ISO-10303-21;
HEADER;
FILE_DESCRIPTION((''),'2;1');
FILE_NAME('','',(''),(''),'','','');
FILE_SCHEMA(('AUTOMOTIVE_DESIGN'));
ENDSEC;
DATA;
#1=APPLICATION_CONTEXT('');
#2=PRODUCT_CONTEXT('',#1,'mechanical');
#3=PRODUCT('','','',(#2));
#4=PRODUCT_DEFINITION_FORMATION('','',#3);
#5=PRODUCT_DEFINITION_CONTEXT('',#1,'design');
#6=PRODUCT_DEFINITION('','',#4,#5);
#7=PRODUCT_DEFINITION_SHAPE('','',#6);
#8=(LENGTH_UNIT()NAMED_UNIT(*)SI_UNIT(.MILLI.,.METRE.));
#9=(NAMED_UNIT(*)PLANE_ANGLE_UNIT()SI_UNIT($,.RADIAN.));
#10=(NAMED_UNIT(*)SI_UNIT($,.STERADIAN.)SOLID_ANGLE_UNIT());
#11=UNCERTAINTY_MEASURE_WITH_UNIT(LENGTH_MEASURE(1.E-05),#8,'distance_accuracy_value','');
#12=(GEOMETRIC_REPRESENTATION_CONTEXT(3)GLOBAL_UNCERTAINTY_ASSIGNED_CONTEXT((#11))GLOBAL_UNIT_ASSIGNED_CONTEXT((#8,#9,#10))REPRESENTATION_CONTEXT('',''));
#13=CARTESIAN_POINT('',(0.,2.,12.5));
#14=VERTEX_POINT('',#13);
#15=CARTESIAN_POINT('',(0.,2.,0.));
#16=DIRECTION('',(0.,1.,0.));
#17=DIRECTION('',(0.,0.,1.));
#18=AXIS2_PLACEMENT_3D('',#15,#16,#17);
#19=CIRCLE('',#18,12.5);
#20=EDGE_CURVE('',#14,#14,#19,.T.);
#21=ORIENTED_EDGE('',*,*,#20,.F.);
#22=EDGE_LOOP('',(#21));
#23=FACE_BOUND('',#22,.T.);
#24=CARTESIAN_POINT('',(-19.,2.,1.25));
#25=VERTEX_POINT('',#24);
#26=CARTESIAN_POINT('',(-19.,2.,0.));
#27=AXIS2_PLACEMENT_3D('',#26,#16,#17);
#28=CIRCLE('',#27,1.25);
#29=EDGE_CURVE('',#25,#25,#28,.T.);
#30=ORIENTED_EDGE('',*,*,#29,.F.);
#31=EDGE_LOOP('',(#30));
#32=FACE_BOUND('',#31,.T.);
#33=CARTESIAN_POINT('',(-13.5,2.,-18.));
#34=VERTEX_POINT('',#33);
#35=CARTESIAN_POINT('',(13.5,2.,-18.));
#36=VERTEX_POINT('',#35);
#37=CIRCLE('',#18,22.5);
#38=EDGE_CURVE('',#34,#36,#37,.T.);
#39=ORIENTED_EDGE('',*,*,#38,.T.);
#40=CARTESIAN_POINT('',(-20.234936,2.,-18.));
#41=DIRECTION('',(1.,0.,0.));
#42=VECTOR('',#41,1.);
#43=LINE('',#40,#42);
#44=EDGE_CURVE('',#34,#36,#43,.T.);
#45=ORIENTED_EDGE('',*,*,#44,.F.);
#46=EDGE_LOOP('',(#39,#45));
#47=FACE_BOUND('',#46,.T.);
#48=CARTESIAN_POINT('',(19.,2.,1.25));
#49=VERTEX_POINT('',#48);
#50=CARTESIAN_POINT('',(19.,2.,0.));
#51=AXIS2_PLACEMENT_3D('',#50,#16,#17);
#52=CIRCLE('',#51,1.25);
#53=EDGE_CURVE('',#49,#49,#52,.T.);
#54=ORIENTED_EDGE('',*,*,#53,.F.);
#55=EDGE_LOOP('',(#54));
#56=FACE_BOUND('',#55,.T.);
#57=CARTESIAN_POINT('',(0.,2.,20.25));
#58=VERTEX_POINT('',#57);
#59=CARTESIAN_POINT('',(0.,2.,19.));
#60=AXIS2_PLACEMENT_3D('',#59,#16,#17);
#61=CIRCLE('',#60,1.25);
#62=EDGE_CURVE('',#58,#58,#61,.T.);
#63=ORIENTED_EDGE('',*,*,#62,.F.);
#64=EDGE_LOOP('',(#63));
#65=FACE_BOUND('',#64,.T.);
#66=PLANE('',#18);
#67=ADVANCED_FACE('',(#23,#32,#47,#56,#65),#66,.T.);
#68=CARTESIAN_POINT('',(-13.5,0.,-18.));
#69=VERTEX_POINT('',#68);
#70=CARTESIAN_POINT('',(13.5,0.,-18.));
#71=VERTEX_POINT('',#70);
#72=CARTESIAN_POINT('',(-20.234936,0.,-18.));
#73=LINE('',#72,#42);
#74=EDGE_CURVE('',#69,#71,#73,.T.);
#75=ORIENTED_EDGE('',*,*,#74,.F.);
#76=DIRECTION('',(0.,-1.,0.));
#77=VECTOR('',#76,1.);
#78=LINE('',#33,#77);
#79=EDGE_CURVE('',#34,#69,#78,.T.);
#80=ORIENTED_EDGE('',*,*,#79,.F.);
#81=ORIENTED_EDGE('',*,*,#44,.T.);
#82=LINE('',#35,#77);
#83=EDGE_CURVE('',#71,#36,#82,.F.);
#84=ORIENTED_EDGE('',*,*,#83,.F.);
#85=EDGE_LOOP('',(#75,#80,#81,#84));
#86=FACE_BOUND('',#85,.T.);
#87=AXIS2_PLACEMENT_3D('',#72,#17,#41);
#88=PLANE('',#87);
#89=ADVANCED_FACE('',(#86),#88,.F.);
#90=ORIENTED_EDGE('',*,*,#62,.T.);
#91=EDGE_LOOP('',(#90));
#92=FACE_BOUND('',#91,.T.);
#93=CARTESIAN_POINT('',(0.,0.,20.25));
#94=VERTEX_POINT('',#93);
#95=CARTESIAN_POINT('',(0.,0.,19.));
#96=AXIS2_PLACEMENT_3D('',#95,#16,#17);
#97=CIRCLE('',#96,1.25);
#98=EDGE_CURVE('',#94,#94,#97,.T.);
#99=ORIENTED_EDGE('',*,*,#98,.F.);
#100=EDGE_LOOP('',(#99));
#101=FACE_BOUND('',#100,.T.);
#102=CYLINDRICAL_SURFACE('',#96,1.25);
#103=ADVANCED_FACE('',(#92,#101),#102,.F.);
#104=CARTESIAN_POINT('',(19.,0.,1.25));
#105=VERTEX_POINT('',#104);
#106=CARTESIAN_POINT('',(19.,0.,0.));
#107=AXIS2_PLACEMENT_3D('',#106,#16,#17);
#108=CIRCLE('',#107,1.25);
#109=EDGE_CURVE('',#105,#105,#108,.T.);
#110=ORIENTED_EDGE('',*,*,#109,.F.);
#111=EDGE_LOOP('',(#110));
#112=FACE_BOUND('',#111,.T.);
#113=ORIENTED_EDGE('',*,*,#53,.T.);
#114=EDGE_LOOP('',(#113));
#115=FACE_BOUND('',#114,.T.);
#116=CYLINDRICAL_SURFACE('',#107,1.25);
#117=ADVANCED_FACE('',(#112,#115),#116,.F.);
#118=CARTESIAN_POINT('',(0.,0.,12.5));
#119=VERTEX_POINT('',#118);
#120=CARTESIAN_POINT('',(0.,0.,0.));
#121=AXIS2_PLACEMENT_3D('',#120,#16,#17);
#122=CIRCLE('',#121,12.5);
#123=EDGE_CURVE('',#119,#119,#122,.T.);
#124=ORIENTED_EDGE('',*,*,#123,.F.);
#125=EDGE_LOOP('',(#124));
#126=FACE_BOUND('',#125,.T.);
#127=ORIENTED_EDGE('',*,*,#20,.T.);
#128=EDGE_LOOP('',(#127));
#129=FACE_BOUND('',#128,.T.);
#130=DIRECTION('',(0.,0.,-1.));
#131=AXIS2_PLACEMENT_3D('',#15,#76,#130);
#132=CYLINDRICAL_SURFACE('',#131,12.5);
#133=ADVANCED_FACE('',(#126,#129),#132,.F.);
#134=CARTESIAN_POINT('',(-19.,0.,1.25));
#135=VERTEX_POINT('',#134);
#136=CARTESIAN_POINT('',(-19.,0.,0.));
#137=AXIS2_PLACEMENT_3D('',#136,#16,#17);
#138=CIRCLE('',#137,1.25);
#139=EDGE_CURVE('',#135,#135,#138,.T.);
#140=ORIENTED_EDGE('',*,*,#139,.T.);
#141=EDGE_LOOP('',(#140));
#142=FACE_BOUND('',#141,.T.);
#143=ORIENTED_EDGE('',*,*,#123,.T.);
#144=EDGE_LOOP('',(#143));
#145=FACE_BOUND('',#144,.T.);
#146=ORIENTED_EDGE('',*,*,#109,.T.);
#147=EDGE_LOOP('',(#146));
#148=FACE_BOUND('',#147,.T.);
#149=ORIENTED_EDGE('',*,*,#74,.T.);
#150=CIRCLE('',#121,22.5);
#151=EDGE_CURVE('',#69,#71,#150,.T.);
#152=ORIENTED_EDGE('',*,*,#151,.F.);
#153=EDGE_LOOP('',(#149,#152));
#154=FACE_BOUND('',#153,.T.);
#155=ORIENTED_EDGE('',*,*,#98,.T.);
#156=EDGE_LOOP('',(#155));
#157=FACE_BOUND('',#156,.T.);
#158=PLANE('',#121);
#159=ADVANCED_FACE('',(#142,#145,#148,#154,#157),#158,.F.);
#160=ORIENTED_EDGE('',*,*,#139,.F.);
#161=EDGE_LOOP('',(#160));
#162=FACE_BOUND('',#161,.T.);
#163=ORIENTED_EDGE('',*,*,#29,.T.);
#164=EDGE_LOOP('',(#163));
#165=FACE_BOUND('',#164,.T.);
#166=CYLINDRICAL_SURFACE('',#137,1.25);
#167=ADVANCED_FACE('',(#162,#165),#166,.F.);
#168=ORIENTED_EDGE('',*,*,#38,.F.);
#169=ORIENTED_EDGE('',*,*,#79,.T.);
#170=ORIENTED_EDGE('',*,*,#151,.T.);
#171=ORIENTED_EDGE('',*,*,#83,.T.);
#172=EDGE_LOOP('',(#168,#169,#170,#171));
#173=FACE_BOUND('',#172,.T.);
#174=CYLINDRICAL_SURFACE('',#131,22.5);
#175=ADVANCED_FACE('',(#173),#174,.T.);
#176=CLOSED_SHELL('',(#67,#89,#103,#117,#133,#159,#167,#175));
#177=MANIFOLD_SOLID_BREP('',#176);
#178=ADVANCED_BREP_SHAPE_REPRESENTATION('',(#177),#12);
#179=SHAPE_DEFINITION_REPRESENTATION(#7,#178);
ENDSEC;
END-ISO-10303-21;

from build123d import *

# Parameters (mm, degrees)
SKETCH_1_R          = 22.5
SKETCH_1_R_2        = 12.5
EXTRUDE_1_DEPTH     = 2
SKETCH_2_R          = 1.25
CUT_EXTRUDE_1_DEPTH = 2


with BuildPart() as part:
    # Эскиз1 → Бобышка-Вытянуть1 (new body)
    with BuildSketch(Plane(origin=(0, 0, 0), x_dir=(1, 0, 0), z_dir=(0, 1, 0))):
        with Locations(Location((0, 0, 0), (0, 0, 270))):
            Circle(SKETCH_1_R)
        with Locations(Location((0, 0, 0), (0, 0, 270))):
            Circle(SKETCH_1_R_2, mode=Mode.SUBTRACT)
    extrude(amount=EXTRUDE_1_DEPTH)

    # Эскиз2 → Вырез-Вытянуть1 (cut)
    with BuildSketch(Plane(origin=(0, 2, 0), x_dir=(1, 0, 0), z_dir=(0, 1, 0))):
        with Locations(Location((-19, 0, 0), (0, 0, 270))):
            Circle(SKETCH_2_R)
        with Locations(Location((19, 0, 0), (0, 0, 270))):
            Circle(SKETCH_2_R)
        with Locations(Location((0, -19, 0), (0, 0, 270))):
            Circle(SKETCH_2_R)
        Polygon((-20.23493598, 18), (18.121302114, 18), (0, 26.542268098), align=None)
    extrude(amount=-CUT_EXTRUDE_1_DEPTH, mode=Mode.SUBTRACT)


solid = part.part
